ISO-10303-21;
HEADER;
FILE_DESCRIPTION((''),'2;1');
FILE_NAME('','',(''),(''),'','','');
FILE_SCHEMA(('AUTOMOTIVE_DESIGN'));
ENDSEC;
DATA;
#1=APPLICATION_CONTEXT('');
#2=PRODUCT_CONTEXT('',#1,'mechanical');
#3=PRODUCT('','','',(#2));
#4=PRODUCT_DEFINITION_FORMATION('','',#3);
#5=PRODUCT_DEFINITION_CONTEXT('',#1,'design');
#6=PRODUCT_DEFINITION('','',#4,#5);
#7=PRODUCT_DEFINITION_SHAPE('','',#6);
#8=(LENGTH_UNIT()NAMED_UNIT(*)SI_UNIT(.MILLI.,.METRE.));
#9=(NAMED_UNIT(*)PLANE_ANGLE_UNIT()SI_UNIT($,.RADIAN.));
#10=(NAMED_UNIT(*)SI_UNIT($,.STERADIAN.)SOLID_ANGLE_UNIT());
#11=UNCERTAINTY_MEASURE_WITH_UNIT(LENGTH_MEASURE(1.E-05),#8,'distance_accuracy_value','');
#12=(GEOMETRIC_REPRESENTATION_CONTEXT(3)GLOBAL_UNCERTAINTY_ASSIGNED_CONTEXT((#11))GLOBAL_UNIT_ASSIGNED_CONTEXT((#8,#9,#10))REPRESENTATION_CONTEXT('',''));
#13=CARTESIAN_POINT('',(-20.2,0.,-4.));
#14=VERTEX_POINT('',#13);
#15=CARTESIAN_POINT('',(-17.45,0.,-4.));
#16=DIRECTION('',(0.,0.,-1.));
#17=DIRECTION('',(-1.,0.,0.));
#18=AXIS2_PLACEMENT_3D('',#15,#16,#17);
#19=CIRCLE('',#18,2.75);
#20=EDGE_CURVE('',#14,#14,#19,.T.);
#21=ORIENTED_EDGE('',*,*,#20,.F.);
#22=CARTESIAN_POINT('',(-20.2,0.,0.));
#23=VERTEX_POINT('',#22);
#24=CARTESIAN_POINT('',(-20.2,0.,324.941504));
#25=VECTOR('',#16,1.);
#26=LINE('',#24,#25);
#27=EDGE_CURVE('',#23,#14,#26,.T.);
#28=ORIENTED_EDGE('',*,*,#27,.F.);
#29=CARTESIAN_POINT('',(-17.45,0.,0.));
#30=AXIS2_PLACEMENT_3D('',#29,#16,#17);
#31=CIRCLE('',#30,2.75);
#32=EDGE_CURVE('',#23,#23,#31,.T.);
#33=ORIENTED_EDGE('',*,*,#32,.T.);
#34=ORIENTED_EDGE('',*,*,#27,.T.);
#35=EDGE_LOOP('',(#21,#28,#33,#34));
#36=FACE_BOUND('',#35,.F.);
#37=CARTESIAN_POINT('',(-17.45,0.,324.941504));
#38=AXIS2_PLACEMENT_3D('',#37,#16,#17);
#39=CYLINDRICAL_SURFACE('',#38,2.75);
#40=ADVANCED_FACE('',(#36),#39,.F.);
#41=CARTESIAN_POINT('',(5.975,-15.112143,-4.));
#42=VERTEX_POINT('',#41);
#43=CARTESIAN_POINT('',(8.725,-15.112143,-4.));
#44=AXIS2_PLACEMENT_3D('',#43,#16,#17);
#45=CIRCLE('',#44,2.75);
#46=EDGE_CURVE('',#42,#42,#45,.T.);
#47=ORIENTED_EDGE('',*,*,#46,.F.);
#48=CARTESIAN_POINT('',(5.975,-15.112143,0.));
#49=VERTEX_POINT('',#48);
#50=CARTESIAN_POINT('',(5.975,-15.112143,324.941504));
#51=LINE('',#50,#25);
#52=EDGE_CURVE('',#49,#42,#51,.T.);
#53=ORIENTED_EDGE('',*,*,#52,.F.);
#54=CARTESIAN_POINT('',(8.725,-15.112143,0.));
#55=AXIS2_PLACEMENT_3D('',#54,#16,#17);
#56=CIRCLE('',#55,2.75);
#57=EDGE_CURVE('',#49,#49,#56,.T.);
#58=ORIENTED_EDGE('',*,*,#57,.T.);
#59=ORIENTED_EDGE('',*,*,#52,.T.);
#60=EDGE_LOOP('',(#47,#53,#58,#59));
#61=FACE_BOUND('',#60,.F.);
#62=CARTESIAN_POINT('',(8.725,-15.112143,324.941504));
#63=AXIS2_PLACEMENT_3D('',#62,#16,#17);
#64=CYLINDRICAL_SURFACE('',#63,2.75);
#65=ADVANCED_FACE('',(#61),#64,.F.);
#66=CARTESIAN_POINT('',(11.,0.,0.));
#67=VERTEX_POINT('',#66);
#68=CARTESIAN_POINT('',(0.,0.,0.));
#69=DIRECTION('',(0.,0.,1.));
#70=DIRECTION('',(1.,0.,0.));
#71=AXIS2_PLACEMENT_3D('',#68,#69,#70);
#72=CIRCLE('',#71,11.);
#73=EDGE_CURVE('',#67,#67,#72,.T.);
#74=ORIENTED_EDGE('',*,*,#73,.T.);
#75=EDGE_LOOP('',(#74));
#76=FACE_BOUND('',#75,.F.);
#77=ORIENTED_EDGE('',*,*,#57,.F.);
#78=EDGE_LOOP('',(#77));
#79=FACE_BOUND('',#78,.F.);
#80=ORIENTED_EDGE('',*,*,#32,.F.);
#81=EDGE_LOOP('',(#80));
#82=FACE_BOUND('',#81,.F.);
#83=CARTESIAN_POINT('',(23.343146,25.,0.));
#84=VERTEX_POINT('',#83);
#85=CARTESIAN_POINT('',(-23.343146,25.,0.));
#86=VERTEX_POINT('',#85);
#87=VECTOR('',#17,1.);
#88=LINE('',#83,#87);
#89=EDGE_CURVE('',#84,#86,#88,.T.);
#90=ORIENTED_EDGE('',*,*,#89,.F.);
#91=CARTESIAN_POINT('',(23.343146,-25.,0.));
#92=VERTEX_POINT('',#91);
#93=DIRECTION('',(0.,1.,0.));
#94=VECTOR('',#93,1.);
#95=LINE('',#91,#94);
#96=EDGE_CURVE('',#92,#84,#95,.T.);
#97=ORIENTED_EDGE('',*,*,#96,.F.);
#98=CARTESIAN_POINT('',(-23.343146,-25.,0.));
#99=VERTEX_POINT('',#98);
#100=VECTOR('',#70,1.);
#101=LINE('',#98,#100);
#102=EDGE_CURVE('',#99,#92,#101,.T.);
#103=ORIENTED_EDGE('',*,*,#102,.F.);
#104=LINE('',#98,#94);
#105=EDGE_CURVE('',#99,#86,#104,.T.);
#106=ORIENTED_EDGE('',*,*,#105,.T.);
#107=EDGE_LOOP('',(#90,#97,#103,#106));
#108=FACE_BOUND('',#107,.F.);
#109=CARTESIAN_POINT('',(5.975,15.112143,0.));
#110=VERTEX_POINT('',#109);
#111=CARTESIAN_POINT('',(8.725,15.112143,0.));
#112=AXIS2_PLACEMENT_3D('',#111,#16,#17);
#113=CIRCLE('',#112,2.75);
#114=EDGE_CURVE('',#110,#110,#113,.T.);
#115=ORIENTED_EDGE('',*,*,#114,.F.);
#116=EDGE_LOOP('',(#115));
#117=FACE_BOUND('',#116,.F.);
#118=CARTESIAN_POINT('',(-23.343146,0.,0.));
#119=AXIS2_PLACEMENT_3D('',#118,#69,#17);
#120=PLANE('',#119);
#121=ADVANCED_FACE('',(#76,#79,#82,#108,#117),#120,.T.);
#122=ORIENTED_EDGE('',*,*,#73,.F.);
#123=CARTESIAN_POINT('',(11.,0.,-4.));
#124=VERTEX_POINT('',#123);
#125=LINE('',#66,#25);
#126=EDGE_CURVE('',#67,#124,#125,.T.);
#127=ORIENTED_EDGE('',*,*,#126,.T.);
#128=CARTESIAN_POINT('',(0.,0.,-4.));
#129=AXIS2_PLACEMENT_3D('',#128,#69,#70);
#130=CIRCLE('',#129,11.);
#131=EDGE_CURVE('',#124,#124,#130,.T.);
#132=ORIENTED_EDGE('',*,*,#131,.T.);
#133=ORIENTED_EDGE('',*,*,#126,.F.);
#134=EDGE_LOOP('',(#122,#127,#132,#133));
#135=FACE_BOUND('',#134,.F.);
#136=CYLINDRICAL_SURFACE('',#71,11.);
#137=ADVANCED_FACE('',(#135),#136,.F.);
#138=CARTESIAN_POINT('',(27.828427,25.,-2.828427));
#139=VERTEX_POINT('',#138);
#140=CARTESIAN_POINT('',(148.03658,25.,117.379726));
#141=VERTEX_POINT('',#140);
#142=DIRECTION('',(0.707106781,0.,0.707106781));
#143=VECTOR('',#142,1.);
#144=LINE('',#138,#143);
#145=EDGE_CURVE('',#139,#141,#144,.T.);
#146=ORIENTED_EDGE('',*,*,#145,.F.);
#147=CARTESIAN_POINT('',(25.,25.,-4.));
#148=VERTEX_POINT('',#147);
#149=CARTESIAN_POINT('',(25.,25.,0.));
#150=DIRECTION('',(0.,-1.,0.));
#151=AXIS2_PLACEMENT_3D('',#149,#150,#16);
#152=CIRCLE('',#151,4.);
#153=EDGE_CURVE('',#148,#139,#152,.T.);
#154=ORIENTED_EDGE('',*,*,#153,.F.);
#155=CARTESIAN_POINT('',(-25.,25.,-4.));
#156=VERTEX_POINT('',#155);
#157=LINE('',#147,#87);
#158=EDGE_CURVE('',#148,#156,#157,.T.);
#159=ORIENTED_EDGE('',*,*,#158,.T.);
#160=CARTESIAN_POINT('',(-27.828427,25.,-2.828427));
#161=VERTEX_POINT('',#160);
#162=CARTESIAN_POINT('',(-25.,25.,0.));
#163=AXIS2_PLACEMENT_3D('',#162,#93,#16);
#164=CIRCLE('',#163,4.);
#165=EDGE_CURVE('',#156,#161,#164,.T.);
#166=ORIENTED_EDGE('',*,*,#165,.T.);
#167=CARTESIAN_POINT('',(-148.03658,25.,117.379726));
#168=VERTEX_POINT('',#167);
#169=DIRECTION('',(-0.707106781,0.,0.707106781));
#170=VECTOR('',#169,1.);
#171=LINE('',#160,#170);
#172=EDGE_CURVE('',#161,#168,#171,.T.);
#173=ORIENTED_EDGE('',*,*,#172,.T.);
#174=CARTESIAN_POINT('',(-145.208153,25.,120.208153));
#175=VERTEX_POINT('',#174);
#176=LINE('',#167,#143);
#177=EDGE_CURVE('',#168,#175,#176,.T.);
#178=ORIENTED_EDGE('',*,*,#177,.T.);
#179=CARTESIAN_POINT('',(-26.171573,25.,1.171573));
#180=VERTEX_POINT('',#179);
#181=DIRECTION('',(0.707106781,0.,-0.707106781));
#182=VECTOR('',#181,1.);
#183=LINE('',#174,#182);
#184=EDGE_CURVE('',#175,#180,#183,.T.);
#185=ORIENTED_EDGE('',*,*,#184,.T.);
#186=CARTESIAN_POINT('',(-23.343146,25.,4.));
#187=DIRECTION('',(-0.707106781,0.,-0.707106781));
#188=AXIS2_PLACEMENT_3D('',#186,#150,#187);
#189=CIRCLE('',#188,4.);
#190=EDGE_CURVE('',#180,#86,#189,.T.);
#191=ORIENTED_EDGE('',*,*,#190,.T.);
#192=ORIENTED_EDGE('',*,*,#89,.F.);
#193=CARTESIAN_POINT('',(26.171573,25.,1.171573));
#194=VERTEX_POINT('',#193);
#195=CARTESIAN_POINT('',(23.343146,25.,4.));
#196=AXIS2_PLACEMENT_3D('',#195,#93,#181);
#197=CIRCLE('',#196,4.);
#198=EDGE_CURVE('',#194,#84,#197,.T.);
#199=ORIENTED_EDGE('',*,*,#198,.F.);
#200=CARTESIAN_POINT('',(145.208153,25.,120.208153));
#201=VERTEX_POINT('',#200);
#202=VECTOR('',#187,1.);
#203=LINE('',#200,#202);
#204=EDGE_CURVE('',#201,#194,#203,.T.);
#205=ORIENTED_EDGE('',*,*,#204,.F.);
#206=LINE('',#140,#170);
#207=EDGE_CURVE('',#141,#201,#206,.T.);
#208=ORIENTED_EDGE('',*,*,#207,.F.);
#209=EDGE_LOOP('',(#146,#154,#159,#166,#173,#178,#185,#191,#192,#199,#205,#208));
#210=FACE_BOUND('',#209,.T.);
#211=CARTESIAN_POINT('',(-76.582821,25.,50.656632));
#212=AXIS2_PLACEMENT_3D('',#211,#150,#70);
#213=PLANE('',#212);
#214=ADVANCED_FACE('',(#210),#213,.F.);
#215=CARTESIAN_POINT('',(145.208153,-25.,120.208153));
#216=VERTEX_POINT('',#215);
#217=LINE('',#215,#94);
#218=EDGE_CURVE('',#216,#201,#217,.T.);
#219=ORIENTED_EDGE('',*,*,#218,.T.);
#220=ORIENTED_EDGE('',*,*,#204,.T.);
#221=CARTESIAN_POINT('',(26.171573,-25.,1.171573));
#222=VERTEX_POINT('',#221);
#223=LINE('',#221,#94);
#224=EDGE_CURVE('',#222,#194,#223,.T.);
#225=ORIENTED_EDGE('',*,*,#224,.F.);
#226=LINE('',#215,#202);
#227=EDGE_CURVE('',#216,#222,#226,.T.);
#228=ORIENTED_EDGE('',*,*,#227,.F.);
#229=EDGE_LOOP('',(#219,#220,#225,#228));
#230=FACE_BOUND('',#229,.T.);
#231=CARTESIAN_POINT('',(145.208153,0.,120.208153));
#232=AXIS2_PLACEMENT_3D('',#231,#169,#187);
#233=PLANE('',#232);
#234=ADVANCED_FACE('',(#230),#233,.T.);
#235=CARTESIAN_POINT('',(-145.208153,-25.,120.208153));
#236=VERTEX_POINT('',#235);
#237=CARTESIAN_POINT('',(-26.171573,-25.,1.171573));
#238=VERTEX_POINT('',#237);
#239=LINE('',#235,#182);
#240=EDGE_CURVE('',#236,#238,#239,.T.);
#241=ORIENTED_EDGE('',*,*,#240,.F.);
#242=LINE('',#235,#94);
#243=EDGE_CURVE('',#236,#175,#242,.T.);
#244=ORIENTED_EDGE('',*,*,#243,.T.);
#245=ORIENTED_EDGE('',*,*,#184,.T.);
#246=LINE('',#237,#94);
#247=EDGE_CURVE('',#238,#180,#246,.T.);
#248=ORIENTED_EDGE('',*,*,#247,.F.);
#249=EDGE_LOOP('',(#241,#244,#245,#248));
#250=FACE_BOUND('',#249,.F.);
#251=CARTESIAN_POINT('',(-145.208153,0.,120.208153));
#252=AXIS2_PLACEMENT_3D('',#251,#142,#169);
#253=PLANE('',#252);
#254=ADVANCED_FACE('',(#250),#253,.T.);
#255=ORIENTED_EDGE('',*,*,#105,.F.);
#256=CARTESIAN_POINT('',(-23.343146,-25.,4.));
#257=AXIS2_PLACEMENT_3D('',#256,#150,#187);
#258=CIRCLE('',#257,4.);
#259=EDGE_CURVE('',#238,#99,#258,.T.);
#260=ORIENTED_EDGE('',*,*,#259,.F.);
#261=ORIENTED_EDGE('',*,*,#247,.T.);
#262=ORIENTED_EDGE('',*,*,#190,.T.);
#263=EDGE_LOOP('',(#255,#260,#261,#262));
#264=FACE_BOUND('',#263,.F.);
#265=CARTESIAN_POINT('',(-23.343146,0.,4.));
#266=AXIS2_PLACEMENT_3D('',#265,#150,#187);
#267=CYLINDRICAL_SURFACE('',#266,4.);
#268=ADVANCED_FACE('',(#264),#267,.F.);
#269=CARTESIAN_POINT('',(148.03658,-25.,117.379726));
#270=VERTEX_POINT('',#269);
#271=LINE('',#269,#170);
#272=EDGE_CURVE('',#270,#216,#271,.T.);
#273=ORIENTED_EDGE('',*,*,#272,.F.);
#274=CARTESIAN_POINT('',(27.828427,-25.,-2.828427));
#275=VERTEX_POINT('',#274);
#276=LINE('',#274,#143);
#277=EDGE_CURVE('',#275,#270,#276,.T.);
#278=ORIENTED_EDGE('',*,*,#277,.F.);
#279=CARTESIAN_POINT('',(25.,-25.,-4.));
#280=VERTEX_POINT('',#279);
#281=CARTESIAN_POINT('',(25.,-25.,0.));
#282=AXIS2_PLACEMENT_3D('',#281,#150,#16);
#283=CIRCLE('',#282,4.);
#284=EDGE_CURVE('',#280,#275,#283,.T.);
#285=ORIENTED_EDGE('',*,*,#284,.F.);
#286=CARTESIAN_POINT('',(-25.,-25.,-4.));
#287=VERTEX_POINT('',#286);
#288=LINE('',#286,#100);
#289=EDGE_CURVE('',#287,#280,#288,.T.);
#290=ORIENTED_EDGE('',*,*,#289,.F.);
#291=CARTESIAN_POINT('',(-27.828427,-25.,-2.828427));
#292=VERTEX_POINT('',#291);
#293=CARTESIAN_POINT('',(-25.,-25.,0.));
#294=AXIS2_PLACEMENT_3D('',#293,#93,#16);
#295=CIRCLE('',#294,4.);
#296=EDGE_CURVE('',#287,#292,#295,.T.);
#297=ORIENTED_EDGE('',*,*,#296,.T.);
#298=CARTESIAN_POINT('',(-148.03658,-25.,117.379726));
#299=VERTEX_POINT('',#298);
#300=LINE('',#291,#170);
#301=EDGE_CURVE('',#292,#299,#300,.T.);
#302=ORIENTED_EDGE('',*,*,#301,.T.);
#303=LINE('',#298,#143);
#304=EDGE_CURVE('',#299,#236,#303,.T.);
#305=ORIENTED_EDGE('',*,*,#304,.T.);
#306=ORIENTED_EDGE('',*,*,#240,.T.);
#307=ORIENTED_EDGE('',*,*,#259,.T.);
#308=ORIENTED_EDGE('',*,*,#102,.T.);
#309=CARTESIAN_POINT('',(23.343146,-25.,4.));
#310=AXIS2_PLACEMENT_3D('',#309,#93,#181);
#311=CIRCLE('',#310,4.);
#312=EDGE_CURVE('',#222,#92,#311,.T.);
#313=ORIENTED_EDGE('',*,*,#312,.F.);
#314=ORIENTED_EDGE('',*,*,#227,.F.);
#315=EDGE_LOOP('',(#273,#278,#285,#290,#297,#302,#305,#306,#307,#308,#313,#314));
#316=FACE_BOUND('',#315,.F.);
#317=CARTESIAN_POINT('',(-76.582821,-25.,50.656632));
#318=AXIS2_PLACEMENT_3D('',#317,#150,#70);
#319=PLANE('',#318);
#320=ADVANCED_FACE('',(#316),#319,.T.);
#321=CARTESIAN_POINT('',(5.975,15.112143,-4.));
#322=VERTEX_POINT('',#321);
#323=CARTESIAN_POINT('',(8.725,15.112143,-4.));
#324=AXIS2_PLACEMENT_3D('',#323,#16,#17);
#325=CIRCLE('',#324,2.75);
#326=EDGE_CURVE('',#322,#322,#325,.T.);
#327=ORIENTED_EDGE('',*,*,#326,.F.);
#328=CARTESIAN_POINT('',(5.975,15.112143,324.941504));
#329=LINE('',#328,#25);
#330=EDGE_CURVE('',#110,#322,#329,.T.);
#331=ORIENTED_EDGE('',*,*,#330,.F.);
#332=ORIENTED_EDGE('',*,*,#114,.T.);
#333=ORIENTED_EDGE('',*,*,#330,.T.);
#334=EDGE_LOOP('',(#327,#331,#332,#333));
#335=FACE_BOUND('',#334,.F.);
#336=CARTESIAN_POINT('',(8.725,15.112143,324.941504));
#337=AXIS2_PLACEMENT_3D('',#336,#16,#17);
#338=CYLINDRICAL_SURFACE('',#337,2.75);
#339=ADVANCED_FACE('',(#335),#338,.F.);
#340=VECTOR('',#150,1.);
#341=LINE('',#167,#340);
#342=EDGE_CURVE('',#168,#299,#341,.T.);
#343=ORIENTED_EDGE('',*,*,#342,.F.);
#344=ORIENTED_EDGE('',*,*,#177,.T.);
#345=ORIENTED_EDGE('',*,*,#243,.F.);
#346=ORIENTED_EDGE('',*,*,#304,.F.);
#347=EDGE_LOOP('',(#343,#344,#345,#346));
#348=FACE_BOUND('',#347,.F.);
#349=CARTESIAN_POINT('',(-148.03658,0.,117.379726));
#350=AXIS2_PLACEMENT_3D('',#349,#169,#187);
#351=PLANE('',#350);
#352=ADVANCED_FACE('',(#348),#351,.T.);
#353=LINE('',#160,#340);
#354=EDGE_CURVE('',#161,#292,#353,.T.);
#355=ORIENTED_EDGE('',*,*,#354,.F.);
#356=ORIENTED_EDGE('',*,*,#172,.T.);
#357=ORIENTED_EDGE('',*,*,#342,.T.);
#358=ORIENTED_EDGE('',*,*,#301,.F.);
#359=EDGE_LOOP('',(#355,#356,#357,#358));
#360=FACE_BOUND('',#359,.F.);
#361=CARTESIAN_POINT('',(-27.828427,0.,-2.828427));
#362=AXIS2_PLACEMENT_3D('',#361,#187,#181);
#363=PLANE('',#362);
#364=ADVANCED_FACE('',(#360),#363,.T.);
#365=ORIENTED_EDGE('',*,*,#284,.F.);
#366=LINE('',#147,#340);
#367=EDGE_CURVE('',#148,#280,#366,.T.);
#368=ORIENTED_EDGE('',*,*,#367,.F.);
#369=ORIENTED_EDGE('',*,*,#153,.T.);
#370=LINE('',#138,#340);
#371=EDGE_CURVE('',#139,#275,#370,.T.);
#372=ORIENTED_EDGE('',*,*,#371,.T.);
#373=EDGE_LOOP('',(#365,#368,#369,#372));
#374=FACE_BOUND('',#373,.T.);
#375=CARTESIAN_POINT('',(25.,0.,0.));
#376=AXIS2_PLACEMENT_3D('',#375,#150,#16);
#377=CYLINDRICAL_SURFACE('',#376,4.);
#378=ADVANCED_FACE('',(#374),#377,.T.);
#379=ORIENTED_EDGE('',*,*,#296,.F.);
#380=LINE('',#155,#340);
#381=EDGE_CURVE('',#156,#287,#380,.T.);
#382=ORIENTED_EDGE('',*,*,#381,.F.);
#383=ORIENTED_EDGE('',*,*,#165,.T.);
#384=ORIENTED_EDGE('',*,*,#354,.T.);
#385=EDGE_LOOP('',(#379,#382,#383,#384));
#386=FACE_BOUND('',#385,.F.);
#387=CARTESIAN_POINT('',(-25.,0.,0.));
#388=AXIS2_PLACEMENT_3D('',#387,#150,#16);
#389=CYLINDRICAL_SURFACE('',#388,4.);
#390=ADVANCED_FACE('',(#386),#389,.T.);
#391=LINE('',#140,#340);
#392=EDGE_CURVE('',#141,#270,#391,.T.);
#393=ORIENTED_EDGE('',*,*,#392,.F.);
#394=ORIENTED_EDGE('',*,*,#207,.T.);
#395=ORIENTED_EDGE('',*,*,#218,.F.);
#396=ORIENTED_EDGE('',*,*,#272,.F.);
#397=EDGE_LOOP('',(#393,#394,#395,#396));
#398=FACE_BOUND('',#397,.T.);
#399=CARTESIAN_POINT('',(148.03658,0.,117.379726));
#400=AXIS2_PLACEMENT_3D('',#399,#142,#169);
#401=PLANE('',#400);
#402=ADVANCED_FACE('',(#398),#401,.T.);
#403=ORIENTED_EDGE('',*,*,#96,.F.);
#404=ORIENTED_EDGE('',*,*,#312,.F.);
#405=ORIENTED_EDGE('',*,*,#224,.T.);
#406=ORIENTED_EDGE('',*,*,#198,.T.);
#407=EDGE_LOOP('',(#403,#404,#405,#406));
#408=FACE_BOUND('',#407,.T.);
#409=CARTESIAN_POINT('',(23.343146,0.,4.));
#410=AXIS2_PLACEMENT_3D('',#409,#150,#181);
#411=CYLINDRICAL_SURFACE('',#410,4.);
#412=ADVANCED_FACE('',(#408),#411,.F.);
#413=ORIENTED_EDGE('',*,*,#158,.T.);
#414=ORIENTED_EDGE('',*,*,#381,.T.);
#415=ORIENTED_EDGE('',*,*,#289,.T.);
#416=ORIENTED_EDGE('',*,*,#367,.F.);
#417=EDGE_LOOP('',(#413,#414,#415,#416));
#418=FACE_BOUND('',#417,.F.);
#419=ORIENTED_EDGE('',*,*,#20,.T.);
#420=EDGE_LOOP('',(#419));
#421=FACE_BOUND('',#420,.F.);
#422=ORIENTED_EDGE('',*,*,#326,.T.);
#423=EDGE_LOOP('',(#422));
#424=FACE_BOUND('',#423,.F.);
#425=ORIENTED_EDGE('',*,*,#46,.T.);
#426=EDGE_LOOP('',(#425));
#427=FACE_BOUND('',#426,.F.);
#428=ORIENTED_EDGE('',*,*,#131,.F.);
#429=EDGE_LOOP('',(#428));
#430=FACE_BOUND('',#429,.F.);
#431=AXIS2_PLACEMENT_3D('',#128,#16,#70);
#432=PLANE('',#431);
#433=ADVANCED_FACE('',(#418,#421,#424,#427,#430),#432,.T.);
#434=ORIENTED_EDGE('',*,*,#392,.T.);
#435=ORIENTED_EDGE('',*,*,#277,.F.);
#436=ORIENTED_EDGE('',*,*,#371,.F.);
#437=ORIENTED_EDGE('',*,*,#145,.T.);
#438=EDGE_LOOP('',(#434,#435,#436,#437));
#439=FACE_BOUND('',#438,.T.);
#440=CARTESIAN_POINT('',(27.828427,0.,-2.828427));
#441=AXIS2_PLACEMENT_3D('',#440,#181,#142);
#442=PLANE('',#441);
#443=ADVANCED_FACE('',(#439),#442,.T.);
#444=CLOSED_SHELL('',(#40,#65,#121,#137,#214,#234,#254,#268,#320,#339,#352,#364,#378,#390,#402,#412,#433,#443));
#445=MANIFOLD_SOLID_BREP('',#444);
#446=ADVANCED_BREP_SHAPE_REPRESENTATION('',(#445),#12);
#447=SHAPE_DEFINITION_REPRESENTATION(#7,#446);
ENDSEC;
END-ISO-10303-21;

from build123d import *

# Parameters (mm, degrees)
F1_DEPTH = 25
F4_D     = 5.5
F3_R     = 11
F5_DEPTH = 4


with BuildPart() as f1:
    # F0 (on Front) → F1 (new body, symmetric)
    with BuildSketch(Plane.XZ):
        with BuildLine():
            Line((23.3431457505, 0), (0, 0))
            Line((0, 0), (0, -4))
            Line((0, -4), (25, -4))
            ThreePointArc((25, -4), (26.5307337295, -3.69551813), (27.8284271247, -2.8284271247))
            Line((27.8284271247, -2.8284271247), (148.0365799265, 117.379725677))
            Line((148.0365799265, 117.379725677), (145.2081528017, 120.2081528017))
            Line((145.2081528017, 120.2081528017), (26.1715728753, 1.1715728753))
            ThreePointArc((26.1715728753, 1.1715728753), (24.87387948, 0.30448187), (23.3431457505, 0))
        make_face()
    extrude(amount=F1_DEPTH, both=True)

    # F2: F1 across plane


with BuildPart() as f1_1:
    add(f1.part)
    add(f1.part.mirror(Plane.YZ))

    # F4 (through all)
    with Locations(Plane.XY):
        with Locations((-17.45, 0), (8.725, -15.112143296), (8.725, 15.112143296)):
            Hole(F4_D / 2)

    # F3 (on face) → F5 (cut, through all)
    with BuildSketch(Plane.XY):
        Circle(F3_R)
    extrude(amount=-F5_DEPTH, mode=Mode.SUBTRACT)


solid = f1_1.part
